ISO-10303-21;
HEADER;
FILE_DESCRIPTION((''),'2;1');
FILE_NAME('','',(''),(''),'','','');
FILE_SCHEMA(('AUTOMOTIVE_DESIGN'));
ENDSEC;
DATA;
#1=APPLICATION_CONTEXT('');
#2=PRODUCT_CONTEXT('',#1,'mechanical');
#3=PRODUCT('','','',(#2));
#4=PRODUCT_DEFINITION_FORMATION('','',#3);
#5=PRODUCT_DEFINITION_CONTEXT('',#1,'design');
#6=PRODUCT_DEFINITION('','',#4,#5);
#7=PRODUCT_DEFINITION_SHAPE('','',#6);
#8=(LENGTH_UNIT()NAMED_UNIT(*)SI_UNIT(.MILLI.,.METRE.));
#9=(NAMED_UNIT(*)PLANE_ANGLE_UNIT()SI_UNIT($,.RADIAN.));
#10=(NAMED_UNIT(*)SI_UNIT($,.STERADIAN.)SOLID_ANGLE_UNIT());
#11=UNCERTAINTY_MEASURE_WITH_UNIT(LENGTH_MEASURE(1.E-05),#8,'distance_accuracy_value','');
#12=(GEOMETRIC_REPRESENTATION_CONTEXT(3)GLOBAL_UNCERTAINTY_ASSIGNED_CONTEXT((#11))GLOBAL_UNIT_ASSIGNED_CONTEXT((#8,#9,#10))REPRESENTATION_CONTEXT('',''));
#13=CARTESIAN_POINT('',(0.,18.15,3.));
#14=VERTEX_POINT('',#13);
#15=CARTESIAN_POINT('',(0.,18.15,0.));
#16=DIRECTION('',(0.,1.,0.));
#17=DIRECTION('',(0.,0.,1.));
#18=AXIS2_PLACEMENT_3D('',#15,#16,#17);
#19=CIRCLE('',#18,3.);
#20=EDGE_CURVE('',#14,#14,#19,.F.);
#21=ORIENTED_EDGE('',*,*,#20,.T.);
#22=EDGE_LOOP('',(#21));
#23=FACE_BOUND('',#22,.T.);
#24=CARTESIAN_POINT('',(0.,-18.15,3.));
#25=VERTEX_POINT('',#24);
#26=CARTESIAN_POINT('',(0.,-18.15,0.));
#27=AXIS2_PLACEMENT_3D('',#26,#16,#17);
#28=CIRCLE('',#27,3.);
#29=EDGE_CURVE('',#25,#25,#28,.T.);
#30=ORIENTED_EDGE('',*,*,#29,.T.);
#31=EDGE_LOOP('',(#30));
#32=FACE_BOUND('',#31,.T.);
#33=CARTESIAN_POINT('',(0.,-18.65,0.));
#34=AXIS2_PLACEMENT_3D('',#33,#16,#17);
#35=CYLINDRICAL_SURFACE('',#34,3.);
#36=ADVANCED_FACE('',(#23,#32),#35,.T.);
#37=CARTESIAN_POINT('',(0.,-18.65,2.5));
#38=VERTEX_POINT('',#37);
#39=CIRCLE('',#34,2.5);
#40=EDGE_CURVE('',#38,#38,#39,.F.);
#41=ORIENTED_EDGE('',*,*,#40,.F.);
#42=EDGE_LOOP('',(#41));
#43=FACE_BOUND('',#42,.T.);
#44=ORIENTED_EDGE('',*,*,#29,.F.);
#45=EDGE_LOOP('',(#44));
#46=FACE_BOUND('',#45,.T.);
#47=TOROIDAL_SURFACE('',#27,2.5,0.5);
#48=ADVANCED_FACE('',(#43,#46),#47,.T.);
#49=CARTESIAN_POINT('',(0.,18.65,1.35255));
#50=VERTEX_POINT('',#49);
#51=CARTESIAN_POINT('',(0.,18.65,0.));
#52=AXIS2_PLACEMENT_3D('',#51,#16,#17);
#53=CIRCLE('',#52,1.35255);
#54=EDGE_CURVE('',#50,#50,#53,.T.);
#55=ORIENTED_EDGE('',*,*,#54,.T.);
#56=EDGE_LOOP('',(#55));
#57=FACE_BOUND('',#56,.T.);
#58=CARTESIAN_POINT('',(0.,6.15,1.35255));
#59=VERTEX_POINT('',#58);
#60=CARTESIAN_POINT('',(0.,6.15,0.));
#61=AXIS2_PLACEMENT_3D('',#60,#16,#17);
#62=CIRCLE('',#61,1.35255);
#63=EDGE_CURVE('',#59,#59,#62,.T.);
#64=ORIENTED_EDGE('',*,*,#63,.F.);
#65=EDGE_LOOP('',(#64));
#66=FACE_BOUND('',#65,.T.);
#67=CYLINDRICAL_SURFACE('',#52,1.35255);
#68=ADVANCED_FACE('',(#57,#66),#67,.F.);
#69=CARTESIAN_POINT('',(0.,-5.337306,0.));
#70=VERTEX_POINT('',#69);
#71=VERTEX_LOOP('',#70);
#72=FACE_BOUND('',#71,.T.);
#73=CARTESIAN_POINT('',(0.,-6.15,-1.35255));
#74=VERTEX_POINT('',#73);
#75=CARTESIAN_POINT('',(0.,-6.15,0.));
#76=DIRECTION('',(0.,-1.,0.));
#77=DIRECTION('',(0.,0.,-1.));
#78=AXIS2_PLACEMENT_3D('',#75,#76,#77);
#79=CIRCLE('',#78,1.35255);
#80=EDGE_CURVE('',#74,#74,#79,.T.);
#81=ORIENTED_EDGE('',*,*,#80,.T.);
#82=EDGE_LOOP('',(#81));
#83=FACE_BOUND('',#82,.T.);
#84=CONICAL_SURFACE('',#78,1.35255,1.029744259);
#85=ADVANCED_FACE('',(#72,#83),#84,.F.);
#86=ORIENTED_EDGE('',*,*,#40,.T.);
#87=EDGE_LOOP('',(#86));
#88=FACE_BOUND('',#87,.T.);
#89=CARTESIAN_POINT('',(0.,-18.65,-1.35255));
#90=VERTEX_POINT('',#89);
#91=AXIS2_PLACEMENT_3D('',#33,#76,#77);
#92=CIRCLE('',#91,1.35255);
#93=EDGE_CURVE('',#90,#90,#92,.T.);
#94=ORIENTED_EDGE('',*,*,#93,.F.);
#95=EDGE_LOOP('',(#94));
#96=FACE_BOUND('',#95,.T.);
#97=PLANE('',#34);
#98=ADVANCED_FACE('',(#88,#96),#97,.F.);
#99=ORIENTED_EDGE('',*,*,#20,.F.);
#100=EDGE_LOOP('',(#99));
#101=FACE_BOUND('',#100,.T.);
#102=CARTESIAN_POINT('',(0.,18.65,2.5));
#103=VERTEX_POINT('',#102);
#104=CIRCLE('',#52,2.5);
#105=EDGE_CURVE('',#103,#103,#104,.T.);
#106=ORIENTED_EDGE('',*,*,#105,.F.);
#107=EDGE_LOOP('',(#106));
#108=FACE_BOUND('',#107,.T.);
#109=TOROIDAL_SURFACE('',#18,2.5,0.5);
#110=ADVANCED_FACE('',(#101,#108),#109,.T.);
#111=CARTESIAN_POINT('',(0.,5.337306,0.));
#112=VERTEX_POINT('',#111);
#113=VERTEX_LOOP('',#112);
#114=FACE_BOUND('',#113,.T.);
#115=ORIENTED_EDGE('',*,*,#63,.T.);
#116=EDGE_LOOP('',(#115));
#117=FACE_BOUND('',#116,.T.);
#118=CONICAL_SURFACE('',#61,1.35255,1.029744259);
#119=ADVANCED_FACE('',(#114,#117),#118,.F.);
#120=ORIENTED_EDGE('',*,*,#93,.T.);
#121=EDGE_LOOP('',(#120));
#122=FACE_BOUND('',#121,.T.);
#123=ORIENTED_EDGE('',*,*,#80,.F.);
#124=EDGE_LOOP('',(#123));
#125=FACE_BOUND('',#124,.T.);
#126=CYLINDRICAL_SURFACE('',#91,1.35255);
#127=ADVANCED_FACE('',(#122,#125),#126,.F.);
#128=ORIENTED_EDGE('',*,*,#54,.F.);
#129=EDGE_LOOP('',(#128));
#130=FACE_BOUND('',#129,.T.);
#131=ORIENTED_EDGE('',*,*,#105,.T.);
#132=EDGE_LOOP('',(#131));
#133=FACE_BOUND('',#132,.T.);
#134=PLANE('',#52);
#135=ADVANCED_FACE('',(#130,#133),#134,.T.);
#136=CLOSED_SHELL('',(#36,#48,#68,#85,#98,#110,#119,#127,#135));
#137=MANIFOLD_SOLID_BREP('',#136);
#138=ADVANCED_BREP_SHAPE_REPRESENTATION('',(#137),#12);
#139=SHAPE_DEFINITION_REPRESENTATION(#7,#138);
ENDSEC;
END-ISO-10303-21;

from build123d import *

# Parameters (mm, degrees)
BOSS_EXTRUDE1_DEPTH       = 18.65
BOSS_EXTRUDE1_DEPTH_BACK  = 18.65
SKETCH1_R                 = 3
F_6_32_TAPPED_HOLE1_D     = 2.7051
F_6_32_TAPPED_HOLE1_DEPTH = 12.5
F_6_32_TAPPED_HOLE1_TIP   = 0.81269403
F_6_32_TAPPED_HOLE2_D     = 2.7051
F_6_32_TAPPED_HOLE2_DEPTH = 12.5
F_6_32_TAPPED_HOLE2_TIP   = 0.81269403
FILLET1_R                 = 0.5


with BuildPart() as part:
    # Sketch1 → Boss-Extrude1 (new, two sides: drawn at the far end of the back side and taken through both)
    with BuildSketch(Plane(origin=(0, 0, 0), x_dir=(1, 0, 0), z_dir=(0, 1, 0)).offset(-BOSS_EXTRUDE1_DEPTH_BACK)):
        Circle(SKETCH1_R)
    extrude(amount=BOSS_EXTRUDE1_DEPTH + BOSS_EXTRUDE1_DEPTH_BACK)

    # #6-32 Tapped Hole1
    with Locations(Plane(origin=(0, 18.65, 0), x_dir=(1, 0, 0), z_dir=(0, 1, 0))):
        with Locations((0, 0)):
            Hole(F_6_32_TAPPED_HOLE1_D / 2, depth=F_6_32_TAPPED_HOLE1_DEPTH)
            with Locations((0, 0, -(F_6_32_TAPPED_HOLE1_DEPTH + F_6_32_TAPPED_HOLE1_TIP / 2))):  # 118° drill point
                Cone(0, F_6_32_TAPPED_HOLE1_D / 2, F_6_32_TAPPED_HOLE1_TIP, mode=Mode.SUBTRACT)

    # #6-32 Tapped Hole2
    with Locations(Plane(origin=(0, -18.65, 0), x_dir=(-1, 0, 0), z_dir=(0, -1, 0))):
        with Locations((0, 0)):
            Hole(F_6_32_TAPPED_HOLE2_D / 2, depth=F_6_32_TAPPED_HOLE2_DEPTH)
            with Locations((0, 0, -(F_6_32_TAPPED_HOLE2_DEPTH + F_6_32_TAPPED_HOLE2_TIP / 2))):  # 118° drill point
                Cone(0, F_6_32_TAPPED_HOLE2_D / 2, F_6_32_TAPPED_HOLE2_TIP, mode=Mode.SUBTRACT)

    # Fillet1
    fillet1_edges = [part.edges().sort_by_distance(p)[0] for p in [
        (-3, -18.65, 0),
        (-3, 18.65, 0),
    ]]
    fillet(fillet1_edges, radius=FILLET1_R)


solid = part.part
